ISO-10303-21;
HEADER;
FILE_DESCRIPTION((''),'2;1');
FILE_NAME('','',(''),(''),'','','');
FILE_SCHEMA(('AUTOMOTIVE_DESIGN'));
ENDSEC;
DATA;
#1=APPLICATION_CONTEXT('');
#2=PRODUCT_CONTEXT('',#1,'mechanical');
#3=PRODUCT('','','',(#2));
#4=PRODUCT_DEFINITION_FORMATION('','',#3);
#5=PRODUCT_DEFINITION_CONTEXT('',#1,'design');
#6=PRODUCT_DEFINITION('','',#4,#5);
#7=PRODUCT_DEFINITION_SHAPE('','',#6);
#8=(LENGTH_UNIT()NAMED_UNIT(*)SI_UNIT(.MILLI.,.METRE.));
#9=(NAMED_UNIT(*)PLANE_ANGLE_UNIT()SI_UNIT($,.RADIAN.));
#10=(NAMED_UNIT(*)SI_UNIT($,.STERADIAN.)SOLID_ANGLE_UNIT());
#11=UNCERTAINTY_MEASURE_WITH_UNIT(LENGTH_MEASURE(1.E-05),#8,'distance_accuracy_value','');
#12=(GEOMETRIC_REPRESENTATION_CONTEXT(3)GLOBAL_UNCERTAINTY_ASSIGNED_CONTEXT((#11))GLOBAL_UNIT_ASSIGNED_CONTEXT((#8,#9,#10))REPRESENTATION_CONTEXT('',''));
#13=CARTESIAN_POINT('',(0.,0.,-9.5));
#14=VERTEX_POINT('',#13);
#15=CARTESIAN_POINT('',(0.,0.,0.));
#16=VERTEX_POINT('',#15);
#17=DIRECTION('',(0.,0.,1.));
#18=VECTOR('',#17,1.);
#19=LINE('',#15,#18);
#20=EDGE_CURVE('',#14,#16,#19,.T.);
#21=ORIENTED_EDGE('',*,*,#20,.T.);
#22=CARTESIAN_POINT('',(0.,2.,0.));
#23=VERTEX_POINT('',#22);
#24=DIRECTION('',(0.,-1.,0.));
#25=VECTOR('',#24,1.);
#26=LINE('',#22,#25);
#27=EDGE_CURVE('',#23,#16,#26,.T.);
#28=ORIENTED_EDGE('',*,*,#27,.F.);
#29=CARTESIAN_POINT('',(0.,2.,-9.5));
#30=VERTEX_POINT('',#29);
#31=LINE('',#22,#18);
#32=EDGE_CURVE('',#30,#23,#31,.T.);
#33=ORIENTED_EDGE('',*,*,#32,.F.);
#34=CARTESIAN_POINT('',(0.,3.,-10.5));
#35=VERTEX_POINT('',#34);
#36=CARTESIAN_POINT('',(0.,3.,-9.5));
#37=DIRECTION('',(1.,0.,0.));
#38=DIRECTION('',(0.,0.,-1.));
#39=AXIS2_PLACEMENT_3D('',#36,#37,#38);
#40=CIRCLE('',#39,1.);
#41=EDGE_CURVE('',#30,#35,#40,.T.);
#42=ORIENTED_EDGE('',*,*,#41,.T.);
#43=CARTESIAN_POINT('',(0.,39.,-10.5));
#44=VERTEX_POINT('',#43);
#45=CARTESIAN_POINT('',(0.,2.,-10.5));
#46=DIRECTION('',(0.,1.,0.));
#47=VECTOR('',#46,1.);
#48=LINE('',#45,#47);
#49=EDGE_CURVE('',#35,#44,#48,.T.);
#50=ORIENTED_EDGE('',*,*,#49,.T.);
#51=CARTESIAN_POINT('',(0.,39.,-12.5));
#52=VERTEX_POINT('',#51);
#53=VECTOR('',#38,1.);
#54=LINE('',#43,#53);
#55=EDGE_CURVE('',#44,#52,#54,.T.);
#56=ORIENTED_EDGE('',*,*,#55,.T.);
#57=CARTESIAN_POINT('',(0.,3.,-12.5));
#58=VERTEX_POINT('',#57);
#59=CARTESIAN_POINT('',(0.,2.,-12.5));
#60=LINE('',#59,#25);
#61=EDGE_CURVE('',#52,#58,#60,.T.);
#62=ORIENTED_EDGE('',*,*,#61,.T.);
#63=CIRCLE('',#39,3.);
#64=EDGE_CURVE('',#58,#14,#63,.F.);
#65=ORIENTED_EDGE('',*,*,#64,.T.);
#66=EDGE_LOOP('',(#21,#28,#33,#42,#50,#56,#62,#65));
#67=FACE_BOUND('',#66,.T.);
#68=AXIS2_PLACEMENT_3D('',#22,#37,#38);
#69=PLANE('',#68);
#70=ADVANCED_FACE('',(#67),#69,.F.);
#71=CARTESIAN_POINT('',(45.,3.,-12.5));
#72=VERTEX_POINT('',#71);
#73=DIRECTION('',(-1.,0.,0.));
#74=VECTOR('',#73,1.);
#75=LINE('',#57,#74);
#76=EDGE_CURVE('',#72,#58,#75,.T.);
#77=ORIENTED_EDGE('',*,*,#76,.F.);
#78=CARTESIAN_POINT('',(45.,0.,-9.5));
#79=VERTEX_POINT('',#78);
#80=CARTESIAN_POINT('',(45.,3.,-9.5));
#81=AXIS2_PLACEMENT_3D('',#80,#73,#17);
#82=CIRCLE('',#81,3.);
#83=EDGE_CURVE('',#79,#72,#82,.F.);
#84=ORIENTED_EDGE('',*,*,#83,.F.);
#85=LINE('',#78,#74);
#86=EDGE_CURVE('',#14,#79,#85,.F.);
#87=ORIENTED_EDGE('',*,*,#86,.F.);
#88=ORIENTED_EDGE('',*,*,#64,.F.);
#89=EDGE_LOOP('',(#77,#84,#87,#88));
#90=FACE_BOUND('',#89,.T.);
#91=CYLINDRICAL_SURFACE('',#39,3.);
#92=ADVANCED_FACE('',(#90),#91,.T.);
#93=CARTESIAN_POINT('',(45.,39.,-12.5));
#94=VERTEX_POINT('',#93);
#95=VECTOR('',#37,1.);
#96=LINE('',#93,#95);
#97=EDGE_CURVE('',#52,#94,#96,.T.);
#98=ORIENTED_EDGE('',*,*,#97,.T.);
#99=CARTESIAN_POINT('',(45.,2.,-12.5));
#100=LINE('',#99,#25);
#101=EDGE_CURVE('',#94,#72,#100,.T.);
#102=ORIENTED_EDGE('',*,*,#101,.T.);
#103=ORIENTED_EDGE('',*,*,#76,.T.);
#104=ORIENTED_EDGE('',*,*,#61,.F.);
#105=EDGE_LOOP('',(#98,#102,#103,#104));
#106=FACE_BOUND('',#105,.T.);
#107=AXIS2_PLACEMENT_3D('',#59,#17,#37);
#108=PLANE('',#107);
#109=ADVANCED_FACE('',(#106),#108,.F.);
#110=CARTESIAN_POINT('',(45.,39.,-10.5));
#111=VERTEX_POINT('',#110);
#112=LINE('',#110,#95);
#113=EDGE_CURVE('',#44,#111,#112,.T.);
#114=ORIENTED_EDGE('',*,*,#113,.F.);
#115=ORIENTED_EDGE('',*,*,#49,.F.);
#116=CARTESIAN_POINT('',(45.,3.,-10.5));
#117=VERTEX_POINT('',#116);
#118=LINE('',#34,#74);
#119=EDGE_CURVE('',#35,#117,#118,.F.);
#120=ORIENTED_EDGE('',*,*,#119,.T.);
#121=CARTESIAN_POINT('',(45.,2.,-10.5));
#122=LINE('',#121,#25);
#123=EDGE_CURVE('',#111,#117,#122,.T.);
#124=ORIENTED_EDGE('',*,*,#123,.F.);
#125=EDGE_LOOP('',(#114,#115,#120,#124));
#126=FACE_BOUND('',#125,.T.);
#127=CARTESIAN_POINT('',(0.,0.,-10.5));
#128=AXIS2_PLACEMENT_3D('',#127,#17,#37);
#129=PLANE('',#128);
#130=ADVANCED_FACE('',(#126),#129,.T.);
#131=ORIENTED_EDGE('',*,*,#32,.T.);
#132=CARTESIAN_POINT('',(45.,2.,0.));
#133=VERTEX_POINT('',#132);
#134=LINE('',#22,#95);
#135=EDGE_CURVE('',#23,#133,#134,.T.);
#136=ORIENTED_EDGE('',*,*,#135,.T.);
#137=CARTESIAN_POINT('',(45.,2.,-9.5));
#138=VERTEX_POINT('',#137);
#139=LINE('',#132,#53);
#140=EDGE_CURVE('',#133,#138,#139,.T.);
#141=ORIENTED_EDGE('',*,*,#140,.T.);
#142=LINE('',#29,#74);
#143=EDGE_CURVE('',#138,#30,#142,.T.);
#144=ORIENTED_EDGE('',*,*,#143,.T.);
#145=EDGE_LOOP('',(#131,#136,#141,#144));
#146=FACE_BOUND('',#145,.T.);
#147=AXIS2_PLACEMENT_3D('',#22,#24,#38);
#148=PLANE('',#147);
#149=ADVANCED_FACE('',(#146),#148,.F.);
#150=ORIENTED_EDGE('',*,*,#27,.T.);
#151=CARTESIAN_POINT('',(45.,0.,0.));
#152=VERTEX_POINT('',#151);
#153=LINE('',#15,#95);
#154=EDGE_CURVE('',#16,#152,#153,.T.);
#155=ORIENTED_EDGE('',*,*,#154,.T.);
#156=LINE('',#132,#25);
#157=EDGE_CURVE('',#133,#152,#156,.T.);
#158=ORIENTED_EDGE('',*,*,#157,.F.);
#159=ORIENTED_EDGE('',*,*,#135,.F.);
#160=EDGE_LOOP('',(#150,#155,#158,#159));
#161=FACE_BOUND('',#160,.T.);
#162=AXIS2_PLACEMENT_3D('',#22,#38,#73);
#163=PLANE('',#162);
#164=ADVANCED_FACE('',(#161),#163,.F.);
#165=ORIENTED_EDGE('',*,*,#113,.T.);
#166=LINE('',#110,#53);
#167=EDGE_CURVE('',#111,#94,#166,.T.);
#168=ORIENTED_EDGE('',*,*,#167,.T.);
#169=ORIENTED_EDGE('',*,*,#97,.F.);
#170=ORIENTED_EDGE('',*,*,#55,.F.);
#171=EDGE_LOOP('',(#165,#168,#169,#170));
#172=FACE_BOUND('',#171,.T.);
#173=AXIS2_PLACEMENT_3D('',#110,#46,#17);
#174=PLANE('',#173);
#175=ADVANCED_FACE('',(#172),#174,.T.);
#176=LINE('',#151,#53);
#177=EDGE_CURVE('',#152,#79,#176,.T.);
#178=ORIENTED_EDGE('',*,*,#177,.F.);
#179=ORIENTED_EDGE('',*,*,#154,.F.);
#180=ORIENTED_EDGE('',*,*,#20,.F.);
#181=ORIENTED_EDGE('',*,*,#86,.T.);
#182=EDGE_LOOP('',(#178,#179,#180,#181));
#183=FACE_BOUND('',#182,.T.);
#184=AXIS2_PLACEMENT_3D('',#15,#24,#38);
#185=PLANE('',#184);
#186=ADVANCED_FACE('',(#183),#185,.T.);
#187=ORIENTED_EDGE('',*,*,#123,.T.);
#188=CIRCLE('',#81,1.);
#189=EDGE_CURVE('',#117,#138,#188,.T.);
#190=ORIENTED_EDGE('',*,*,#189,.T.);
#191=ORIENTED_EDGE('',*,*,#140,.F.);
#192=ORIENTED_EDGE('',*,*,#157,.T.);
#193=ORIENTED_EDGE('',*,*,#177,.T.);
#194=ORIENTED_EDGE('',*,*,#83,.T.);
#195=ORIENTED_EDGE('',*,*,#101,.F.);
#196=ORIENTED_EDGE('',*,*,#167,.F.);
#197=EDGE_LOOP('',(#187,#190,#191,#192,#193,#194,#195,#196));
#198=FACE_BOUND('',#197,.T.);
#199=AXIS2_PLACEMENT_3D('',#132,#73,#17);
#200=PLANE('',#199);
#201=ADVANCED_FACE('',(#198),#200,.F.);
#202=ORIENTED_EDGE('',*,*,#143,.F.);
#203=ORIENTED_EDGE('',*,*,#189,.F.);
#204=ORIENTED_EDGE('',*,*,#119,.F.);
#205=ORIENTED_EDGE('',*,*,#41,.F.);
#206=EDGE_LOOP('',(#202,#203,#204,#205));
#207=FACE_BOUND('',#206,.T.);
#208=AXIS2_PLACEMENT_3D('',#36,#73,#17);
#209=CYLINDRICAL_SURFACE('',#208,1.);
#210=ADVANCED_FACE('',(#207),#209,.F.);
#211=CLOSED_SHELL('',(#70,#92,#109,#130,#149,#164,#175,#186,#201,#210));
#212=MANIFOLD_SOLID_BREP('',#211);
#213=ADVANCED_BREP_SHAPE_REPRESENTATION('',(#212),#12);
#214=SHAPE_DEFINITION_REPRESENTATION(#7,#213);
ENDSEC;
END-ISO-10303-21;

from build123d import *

# Parameters (mm, degrees)
SKETCH1_W           = 45
SKETCH1_H           = 12.5
BOSS_EXTRUDE1_DEPTH = 2
SKETCH2_W           = 45
SKETCH2_H           = 37
BOSS_EXTRUDE2_DEPTH = 2
FILLET1_R           = 1
FILLET2_R           = 3


with BuildPart() as part:
    # Sketch1 → Boss-Extrude1 (new body)
    with BuildSketch(Plane(origin=(0, 0, 0), x_dir=(1, 0, 0), z_dir=(0, 1, 0))):
        with Locations((22.5, 6.25)):
            Rectangle(SKETCH1_W, SKETCH1_H)
    extrude(amount=BOSS_EXTRUDE1_DEPTH)

    # Sketch2 → Boss-Extrude2 (add)
    with BuildSketch(Plane(origin=(0, 0, -12.5), x_dir=(-1, 0, 0), z_dir=(0, 0, -1))):
        with Locations((-22.5, 20.5)):
            Rectangle(SKETCH2_W, SKETCH2_H)
    extrude(amount=-BOSS_EXTRUDE2_DEPTH)

    # Fillet1
    fillet1_edges = [part.edges().sort_by_distance(p)[0] for p in [
        (22.5, 2, -10.5),
    ]]
    fillet(fillet1_edges, radius=FILLET1_R)

    # Fillet2
    fillet2_edges = [part.edges().sort_by_distance(p)[0] for p in [
        (22.5, 0, -12.5),
    ]]
    fillet(fillet2_edges, radius=FILLET2_R)


solid = part.part
